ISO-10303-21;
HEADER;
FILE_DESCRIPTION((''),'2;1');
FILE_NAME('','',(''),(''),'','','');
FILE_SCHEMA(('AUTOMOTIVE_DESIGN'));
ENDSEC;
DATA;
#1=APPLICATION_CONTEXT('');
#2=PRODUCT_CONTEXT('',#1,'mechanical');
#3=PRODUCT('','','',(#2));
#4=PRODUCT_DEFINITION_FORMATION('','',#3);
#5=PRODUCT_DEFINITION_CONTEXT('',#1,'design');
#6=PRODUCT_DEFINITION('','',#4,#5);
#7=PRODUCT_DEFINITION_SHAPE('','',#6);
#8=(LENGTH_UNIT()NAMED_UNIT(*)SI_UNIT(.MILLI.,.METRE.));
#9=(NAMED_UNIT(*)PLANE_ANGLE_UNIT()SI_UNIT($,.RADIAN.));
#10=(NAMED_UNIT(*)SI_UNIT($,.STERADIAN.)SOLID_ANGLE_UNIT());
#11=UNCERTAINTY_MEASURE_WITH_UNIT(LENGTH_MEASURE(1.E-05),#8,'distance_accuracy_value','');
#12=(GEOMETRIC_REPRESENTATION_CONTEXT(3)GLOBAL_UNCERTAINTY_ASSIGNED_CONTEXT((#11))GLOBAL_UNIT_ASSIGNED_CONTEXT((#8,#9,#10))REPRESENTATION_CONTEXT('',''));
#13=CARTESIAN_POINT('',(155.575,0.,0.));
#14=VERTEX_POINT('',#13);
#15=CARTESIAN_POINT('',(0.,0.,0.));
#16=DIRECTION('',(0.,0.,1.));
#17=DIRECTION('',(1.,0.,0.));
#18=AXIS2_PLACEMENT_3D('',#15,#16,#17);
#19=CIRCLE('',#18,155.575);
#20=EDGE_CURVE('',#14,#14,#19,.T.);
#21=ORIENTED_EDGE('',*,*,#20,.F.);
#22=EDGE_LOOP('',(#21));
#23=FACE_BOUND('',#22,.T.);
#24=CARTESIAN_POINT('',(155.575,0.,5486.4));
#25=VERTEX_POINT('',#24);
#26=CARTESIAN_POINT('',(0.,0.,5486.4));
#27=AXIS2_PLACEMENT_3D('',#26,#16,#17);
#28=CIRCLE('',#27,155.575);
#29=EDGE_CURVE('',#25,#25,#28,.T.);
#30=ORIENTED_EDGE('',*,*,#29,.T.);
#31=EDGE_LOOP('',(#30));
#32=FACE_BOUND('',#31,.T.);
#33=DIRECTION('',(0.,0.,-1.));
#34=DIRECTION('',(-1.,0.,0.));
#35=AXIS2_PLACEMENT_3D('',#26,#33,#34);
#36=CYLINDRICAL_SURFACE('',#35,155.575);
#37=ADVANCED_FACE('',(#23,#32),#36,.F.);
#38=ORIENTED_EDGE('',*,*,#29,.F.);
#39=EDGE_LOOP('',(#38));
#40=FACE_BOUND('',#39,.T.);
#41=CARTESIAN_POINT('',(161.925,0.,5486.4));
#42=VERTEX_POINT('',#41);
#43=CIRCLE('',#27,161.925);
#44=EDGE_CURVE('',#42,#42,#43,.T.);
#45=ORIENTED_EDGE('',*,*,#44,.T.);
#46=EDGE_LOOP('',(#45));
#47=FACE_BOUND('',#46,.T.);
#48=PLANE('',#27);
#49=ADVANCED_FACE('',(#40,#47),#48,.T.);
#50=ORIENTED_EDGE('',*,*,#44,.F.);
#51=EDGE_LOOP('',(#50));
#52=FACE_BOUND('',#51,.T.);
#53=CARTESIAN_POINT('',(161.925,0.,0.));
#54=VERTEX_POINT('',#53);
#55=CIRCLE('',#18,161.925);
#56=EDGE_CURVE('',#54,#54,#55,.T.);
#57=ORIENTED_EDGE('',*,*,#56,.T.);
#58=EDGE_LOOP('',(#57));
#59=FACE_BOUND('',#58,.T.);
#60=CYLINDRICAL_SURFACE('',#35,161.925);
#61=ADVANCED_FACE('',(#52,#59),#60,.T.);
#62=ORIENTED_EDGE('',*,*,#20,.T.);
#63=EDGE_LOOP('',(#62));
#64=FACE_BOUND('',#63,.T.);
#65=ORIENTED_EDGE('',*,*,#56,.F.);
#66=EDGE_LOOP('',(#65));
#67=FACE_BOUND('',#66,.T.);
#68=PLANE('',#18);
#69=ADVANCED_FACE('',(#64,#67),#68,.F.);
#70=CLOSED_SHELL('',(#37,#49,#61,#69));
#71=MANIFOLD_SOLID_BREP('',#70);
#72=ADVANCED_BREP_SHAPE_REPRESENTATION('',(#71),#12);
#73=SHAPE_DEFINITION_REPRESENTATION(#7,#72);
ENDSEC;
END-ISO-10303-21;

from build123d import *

# Parameters (mm, degrees)
PIPESKETCH_R    = 161.925
PIPESKETCH_R_2  = 155.575
EXTRUSION_DEPTH = 5486.4


with BuildPart() as part:
    # PipeSketch → Extrusion (new body)
    with BuildSketch(Plane.XY):
        Circle(PIPESKETCH_R)
        Circle(PIPESKETCH_R_2, mode=Mode.SUBTRACT)
    extrude(amount=EXTRUSION_DEPTH)


solid = part.part
